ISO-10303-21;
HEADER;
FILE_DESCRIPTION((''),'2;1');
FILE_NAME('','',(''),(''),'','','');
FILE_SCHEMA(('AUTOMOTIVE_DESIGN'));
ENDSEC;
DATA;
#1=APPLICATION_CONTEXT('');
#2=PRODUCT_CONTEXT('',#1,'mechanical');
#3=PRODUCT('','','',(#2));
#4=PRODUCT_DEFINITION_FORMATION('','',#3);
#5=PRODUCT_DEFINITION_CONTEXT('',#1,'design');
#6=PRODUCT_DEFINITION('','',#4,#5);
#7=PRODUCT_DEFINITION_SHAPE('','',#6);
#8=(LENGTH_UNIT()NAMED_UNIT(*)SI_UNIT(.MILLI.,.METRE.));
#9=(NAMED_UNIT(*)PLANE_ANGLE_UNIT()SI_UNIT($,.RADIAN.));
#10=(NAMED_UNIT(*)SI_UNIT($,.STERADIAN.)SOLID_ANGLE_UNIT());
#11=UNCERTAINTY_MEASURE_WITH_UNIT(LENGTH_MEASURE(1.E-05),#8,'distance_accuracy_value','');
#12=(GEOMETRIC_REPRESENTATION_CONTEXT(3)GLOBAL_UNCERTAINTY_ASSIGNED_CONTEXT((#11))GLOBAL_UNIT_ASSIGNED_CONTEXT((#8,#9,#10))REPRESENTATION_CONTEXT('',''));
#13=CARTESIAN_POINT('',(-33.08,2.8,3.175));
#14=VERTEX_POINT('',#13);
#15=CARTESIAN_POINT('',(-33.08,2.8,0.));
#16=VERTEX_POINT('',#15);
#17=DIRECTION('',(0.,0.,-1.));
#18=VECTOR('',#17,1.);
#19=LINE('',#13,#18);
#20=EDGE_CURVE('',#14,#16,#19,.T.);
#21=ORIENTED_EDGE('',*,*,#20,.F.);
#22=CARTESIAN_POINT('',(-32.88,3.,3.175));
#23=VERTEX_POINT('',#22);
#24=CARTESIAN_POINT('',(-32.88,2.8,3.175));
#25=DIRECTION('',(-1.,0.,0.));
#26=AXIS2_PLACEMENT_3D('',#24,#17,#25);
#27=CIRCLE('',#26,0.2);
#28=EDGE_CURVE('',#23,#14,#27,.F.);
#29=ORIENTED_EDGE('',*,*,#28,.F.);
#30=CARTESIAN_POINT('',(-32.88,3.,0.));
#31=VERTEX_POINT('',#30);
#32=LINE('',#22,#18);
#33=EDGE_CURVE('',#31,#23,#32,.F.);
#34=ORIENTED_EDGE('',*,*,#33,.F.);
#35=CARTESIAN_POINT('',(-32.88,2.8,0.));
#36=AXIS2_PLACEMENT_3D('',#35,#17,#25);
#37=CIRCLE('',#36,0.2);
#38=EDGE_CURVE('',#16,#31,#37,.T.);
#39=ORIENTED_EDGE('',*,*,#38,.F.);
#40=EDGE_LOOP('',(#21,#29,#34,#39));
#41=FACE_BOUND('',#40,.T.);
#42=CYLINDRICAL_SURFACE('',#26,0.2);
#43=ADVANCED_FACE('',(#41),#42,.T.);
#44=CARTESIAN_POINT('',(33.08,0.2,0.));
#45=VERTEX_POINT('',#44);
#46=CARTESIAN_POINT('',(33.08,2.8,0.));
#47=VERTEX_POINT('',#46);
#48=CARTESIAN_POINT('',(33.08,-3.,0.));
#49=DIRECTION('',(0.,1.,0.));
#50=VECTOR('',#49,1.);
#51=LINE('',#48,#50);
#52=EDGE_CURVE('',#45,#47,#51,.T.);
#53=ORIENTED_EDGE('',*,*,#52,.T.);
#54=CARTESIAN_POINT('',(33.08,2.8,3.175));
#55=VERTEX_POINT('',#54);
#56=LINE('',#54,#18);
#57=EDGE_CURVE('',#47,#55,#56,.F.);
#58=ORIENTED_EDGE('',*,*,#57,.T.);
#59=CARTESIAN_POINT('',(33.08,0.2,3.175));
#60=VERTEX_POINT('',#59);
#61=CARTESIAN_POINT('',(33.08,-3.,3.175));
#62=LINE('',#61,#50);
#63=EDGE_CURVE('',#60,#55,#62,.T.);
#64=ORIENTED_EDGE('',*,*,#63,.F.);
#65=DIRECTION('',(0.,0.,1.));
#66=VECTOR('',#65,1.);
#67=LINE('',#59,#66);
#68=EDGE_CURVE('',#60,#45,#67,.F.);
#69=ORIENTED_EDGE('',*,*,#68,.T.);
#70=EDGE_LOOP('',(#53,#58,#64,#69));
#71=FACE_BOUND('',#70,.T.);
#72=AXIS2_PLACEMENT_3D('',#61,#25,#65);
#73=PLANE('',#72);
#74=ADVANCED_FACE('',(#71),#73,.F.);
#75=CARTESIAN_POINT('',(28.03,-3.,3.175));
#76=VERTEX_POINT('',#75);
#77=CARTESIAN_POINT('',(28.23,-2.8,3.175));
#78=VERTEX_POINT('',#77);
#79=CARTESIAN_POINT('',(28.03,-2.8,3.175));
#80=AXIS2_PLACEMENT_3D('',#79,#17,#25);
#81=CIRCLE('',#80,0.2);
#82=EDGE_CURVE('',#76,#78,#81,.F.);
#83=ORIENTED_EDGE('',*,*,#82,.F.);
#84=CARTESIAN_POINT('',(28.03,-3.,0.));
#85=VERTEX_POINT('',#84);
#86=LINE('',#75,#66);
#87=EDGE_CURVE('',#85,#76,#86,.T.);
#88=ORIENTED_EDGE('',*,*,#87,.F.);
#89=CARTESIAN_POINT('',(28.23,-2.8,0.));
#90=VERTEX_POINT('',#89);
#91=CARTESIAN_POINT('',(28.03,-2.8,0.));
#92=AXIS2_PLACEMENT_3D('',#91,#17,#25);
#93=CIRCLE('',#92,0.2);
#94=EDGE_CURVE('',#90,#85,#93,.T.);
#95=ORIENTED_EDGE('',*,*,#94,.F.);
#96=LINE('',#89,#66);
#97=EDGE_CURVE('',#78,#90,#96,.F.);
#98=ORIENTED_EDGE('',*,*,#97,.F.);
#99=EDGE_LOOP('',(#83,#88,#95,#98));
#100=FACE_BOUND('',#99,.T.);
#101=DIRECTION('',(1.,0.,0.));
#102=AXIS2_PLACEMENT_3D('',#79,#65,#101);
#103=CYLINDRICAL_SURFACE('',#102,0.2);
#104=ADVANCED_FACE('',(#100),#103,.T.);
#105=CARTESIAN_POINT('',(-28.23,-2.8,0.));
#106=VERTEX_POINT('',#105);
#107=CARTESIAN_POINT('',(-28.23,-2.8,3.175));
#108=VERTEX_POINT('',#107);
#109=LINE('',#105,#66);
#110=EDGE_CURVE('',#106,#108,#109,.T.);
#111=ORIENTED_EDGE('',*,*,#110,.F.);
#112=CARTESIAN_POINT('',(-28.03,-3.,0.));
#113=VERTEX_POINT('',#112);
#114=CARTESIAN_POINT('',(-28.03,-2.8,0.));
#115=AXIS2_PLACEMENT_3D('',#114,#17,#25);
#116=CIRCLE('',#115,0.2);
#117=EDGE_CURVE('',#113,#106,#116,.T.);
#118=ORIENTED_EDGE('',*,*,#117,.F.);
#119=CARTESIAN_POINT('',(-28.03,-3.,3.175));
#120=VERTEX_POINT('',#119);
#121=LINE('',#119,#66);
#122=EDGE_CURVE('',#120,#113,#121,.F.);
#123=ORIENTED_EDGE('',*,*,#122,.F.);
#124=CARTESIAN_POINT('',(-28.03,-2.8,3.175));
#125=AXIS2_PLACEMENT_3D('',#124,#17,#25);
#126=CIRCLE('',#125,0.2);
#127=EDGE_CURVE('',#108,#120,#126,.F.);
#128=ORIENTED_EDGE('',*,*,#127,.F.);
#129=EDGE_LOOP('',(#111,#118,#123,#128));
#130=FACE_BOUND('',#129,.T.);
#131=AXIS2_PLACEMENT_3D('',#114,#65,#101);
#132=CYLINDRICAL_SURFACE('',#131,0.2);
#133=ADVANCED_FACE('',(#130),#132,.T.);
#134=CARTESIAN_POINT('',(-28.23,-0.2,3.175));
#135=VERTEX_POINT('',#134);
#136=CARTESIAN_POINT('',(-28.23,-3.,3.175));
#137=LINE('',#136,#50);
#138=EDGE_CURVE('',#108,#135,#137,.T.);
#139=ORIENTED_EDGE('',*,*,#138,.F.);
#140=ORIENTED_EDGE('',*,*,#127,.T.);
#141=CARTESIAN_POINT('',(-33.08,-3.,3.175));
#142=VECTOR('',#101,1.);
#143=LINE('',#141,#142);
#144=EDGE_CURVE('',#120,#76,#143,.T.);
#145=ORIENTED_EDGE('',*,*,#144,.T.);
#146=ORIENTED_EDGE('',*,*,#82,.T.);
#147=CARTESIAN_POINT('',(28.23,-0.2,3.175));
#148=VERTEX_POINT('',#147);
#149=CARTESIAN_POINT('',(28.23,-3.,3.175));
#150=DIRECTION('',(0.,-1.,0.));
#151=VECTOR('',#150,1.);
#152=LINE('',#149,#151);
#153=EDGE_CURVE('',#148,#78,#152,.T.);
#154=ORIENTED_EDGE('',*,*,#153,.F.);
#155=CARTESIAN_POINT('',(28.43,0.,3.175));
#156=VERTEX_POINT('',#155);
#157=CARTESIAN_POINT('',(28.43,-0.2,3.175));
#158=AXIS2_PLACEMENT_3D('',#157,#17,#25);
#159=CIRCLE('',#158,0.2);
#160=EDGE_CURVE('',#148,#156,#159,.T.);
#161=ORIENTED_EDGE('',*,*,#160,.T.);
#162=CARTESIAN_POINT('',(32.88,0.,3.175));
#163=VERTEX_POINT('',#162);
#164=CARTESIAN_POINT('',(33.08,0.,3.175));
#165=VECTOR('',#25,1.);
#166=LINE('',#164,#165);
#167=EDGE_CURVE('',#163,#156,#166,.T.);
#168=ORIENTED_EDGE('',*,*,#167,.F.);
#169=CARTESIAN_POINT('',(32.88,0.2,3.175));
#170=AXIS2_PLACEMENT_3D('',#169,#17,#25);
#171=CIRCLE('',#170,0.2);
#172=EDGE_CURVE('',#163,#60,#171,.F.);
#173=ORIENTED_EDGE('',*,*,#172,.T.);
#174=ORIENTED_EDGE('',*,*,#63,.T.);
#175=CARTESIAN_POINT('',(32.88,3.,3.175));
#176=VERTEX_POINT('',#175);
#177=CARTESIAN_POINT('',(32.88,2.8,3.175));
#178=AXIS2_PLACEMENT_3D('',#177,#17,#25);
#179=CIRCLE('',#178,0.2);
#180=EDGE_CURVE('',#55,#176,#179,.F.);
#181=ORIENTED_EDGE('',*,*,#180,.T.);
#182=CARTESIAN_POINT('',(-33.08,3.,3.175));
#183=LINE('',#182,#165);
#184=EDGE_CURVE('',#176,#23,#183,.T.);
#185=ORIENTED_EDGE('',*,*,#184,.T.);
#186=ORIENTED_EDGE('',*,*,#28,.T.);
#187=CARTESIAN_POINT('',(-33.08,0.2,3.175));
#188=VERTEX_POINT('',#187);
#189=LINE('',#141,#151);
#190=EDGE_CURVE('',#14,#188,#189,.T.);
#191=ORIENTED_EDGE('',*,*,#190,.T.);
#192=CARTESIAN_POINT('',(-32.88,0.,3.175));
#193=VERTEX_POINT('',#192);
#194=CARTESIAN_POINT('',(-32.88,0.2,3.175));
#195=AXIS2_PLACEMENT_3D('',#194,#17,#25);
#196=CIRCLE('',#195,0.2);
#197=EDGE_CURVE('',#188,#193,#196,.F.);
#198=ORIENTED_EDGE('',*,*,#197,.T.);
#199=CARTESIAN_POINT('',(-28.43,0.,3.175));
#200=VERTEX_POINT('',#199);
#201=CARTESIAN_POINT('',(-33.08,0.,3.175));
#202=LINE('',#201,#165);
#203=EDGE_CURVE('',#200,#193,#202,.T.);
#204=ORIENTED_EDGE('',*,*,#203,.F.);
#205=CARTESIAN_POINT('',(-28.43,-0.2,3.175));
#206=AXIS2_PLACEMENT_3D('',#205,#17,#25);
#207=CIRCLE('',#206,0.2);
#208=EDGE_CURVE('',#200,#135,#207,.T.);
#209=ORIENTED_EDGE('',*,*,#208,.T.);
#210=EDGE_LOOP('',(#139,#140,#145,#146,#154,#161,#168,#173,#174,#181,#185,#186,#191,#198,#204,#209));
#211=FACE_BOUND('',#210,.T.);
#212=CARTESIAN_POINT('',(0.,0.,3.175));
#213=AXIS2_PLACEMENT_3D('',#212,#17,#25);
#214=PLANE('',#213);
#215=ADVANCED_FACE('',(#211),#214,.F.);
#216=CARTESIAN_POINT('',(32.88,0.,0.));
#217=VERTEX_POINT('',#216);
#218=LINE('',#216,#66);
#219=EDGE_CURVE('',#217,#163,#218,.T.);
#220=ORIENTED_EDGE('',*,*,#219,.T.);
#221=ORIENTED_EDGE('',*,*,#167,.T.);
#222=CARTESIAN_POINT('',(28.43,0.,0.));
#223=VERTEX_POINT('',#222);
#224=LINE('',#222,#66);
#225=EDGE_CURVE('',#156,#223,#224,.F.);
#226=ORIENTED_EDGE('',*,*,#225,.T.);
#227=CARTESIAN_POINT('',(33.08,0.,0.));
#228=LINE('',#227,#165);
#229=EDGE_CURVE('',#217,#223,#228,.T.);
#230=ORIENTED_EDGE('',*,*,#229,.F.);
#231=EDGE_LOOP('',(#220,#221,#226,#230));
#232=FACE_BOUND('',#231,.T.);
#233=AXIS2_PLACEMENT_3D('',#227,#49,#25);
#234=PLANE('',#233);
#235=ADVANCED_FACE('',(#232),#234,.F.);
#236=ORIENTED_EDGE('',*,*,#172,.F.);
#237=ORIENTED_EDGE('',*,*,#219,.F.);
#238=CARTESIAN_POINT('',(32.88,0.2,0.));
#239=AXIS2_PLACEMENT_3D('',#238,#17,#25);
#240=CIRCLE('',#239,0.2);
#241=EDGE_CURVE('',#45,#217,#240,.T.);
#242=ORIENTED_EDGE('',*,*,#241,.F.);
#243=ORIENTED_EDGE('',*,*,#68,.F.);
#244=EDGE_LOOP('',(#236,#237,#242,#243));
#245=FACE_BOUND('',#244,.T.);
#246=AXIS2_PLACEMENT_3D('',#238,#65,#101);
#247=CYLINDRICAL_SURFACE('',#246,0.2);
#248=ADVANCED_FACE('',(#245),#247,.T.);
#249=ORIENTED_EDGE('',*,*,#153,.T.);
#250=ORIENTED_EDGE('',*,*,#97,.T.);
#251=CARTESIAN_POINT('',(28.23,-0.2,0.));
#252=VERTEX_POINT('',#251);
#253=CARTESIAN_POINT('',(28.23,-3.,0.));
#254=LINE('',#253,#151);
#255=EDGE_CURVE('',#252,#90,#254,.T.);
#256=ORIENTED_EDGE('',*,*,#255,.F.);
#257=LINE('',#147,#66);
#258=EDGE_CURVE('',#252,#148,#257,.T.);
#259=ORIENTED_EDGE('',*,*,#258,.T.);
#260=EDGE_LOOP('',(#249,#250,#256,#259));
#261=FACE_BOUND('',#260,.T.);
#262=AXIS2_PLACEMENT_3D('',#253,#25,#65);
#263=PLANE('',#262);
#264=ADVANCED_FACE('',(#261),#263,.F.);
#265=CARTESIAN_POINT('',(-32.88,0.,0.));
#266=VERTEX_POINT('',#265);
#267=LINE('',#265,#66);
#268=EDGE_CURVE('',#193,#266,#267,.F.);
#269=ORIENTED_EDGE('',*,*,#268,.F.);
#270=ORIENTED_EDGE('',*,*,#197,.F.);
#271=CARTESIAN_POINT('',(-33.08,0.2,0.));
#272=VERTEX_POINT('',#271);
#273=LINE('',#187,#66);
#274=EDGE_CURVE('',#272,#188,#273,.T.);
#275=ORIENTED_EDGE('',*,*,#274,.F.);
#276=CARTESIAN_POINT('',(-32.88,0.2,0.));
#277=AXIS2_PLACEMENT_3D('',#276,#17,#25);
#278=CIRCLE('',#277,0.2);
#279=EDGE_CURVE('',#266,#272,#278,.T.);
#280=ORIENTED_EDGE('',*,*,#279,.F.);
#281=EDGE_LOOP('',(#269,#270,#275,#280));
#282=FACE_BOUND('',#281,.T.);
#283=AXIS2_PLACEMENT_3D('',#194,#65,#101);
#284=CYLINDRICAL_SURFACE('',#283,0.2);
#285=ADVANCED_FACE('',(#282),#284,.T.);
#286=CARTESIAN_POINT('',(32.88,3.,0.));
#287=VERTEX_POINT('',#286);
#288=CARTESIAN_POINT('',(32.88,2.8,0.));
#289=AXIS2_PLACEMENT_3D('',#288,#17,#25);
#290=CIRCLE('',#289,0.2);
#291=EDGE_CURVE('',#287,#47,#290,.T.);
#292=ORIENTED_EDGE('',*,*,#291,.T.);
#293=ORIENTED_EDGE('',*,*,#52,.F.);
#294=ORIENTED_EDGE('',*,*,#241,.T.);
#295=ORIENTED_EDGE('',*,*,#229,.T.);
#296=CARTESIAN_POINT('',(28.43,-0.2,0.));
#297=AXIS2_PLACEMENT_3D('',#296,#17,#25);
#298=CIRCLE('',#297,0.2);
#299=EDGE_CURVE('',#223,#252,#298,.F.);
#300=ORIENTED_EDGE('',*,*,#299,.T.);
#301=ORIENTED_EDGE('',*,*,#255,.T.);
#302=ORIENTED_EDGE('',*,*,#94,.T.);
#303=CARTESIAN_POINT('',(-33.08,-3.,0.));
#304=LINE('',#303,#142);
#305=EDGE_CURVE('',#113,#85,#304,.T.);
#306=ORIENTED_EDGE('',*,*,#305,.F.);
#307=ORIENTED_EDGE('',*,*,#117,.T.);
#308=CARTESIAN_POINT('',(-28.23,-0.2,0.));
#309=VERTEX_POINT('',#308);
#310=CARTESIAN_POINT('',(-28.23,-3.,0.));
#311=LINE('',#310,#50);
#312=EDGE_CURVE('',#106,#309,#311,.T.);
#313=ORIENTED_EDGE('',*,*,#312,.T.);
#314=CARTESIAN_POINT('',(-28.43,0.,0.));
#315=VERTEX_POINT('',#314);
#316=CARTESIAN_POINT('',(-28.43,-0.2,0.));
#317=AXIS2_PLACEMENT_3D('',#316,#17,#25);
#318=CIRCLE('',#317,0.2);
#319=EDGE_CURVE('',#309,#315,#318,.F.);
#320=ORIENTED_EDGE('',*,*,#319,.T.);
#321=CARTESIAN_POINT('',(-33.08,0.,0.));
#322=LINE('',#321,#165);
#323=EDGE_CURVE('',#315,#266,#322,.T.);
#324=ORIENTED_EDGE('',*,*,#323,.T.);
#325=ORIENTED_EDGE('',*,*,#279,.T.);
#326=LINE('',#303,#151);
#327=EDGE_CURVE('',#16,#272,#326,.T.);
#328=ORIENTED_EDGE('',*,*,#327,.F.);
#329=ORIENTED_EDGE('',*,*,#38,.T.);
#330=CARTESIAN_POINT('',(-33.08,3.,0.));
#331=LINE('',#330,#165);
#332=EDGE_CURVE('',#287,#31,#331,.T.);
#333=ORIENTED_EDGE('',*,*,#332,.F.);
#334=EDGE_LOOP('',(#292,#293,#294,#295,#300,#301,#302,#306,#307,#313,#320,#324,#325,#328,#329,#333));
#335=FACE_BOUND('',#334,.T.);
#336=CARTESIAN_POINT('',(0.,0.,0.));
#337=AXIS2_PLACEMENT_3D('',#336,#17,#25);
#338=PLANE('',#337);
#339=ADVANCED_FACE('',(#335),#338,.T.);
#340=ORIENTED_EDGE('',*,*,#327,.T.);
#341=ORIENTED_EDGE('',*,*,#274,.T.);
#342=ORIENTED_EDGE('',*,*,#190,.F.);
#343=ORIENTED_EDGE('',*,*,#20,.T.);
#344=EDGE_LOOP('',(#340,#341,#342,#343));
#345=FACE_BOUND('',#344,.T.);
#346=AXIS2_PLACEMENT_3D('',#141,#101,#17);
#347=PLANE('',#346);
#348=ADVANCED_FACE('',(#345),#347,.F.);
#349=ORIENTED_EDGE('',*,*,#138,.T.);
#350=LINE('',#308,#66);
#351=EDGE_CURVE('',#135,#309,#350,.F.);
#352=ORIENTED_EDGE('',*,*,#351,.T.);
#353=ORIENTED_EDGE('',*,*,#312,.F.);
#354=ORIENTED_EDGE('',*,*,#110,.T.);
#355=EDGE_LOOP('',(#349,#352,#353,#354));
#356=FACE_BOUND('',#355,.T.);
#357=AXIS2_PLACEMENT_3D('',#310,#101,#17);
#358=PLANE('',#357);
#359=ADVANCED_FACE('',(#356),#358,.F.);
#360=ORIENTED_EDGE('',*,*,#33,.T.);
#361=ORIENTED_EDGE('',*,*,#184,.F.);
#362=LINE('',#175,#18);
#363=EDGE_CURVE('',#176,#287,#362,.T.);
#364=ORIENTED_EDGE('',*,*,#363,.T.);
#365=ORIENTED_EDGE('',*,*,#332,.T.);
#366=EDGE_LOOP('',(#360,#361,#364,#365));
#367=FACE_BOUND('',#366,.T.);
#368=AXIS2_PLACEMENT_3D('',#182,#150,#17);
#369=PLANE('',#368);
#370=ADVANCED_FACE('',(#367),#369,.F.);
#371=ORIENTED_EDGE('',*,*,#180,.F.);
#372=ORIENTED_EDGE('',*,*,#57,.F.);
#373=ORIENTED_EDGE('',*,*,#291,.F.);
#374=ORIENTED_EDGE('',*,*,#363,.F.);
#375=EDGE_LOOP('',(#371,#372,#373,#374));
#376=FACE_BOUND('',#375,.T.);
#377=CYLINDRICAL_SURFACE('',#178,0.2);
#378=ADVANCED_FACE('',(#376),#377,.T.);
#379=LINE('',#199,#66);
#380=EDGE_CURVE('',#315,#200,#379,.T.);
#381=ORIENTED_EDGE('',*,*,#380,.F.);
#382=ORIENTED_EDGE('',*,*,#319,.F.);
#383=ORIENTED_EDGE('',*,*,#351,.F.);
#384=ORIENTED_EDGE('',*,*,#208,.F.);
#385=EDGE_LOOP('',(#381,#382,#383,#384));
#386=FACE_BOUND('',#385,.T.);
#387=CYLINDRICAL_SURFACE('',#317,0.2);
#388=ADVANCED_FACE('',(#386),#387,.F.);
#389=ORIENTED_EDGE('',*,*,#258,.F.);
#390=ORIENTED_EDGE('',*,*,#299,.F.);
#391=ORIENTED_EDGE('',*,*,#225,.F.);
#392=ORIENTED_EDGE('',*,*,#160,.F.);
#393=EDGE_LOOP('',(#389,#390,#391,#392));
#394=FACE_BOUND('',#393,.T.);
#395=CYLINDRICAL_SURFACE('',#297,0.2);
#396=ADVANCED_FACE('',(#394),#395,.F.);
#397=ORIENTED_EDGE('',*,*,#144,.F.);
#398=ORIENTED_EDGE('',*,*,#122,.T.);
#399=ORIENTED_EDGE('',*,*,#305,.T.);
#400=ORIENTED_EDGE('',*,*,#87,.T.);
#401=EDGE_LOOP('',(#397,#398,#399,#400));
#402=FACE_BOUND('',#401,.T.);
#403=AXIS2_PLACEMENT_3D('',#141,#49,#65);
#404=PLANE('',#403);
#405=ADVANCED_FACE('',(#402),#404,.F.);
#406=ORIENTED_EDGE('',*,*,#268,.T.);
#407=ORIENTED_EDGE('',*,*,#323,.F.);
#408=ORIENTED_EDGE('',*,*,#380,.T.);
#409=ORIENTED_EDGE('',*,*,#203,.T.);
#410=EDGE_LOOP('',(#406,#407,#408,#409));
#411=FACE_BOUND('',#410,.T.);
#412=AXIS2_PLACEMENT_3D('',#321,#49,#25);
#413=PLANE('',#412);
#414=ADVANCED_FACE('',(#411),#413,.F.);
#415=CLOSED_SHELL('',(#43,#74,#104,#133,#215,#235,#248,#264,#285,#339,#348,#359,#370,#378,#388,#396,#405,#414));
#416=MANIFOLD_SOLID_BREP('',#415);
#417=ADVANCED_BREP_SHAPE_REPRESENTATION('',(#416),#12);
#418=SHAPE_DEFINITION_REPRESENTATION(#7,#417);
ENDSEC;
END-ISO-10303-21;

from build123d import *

# Parameters (mm, degrees)
SKETCH1_W           = 66.16
SKETCH1_H           = 6
BOSS_EXTRUDE1_DEPTH = 3.175
SKETCH2_W           = 4.85
SKETCH2_H           = 3
CUT_EXTRUDE1_DEPTH  = 34.367154883
FILLET1_R           = 0.2


with BuildPart() as part:
    # Sketch1 → Boss-Extrude1 (new body)
    with BuildSketch(Plane.XY):
        Rectangle(SKETCH1_W, SKETCH1_H)
    extrude(amount=BOSS_EXTRUDE1_DEPTH)

    # Sketch2 → Cut-Extrude1 (cut, through all)
    with BuildSketch(Plane.XY.offset(3.175)):
        with Locations((-30.655, -1.5)):
            Rectangle(SKETCH2_W, SKETCH2_H)
        with Locations((30.655, -1.5)):
            Rectangle(SKETCH2_W, SKETCH2_H)
    extrude(amount=-CUT_EXTRUDE1_DEPTH, mode=Mode.SUBTRACT)

    # Fillet1
    fillet1_edges = [part.edges().sort_by_distance(p)[0] for p in [
        (-33.08, 0, 1.5875),
        (-28.23, 0, 1.5875),
        (-28.23, -3, 1.5875),
        (33.08, 0, 1.5875),
        (28.23, -3, 1.5875),
        (28.23, 0, 1.5875),
        (-33.08, 3, 1.5875),
        (33.08, 3, 1.5875),
    ]]
    fillet(fillet1_edges, radius=FILLET1_R)


solid = part.part
